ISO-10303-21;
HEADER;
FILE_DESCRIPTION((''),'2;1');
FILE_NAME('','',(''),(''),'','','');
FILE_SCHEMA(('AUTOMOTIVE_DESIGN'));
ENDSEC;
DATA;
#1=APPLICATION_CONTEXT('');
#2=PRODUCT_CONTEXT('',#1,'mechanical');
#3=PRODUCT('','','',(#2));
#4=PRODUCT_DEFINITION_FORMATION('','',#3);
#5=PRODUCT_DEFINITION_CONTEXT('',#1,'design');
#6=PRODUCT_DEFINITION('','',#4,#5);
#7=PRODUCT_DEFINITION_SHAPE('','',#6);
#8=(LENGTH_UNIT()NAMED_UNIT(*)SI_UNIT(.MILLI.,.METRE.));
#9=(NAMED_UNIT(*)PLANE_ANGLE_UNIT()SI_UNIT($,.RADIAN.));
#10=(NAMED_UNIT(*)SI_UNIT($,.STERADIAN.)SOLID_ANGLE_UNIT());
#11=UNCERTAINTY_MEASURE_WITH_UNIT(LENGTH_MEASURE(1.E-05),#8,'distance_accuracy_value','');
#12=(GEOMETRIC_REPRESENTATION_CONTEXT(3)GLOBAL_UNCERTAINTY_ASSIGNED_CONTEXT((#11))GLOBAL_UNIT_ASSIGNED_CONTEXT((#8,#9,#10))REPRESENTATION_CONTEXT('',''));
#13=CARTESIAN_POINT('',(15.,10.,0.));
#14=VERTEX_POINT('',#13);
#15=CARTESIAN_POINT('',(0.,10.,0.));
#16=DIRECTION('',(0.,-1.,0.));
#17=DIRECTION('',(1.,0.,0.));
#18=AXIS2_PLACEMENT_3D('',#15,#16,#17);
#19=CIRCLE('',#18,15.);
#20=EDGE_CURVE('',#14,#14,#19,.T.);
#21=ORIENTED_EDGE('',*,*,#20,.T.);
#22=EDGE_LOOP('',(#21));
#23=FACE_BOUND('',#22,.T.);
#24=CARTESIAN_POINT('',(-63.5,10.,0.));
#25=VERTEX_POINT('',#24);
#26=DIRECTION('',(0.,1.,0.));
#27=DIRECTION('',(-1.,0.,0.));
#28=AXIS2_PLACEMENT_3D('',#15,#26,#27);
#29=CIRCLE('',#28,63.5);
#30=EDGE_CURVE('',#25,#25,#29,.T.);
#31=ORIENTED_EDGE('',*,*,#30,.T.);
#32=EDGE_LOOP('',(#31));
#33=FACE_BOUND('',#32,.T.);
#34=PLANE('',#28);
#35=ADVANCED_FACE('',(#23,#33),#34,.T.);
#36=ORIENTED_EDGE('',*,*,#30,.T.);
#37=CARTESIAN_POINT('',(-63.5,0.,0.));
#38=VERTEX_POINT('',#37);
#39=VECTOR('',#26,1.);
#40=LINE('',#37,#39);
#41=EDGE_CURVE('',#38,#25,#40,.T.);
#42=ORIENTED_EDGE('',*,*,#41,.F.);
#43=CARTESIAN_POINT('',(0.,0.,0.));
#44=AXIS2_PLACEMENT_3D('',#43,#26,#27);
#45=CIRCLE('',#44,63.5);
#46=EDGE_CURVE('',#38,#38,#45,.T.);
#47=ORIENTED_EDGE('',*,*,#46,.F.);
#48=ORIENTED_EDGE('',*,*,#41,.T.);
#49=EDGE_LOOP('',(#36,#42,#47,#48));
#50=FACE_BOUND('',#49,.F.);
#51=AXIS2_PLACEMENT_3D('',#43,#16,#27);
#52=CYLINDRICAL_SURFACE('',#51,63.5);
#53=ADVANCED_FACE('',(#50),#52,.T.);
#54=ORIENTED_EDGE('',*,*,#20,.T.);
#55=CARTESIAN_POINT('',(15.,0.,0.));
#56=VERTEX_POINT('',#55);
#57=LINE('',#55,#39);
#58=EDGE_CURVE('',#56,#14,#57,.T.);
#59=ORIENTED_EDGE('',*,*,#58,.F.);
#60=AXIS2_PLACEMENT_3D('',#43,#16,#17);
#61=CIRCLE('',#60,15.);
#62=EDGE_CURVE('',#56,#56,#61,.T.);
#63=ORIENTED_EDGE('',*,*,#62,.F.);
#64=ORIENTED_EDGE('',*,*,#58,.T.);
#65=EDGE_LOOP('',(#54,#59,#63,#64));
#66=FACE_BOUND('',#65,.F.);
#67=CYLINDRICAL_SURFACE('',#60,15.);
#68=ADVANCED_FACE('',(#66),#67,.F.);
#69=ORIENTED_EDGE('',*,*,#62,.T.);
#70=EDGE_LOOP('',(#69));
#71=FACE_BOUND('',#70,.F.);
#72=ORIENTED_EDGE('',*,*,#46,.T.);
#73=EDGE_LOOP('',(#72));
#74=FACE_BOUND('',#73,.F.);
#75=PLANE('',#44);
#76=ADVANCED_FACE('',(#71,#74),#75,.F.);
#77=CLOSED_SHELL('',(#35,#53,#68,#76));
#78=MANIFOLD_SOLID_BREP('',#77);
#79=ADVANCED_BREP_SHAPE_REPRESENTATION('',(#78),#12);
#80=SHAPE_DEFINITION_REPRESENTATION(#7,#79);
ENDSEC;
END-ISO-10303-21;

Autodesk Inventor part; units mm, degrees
ref_plane "YZ Plane" through (0, 0, 0) normal (1, 0, 0) x (0, 1, 0)
ref_plane "XZ Plane" through (0, 0, 0) normal (0, 1, 0) x (-1, 0, 0)
ref_plane "XY Plane" through (0, 0, 0) normal (0, 0, 1) x (1, 0, 0)
sketch "Sketch1" plane through (0, 0, 0) normal (0, 1, 0) x (-1, 0, 0)
  circle A0 centre (0, 0) radius 63.5
  dimension "d0" = 127
extrude "Extrusion1" add sketch "Sketch1" along normal blind 10
sketch "Sketch2" plane through (0, 0, 0) normal (0, -1, 0) x (1, 0, 0)
  circle A0 centre (0, 0) radius 15
  dimension "d3" = 30
extrude "Extrusion2" cut sketch "Sketch2" against normal through all
properties part number "Bot Base"
